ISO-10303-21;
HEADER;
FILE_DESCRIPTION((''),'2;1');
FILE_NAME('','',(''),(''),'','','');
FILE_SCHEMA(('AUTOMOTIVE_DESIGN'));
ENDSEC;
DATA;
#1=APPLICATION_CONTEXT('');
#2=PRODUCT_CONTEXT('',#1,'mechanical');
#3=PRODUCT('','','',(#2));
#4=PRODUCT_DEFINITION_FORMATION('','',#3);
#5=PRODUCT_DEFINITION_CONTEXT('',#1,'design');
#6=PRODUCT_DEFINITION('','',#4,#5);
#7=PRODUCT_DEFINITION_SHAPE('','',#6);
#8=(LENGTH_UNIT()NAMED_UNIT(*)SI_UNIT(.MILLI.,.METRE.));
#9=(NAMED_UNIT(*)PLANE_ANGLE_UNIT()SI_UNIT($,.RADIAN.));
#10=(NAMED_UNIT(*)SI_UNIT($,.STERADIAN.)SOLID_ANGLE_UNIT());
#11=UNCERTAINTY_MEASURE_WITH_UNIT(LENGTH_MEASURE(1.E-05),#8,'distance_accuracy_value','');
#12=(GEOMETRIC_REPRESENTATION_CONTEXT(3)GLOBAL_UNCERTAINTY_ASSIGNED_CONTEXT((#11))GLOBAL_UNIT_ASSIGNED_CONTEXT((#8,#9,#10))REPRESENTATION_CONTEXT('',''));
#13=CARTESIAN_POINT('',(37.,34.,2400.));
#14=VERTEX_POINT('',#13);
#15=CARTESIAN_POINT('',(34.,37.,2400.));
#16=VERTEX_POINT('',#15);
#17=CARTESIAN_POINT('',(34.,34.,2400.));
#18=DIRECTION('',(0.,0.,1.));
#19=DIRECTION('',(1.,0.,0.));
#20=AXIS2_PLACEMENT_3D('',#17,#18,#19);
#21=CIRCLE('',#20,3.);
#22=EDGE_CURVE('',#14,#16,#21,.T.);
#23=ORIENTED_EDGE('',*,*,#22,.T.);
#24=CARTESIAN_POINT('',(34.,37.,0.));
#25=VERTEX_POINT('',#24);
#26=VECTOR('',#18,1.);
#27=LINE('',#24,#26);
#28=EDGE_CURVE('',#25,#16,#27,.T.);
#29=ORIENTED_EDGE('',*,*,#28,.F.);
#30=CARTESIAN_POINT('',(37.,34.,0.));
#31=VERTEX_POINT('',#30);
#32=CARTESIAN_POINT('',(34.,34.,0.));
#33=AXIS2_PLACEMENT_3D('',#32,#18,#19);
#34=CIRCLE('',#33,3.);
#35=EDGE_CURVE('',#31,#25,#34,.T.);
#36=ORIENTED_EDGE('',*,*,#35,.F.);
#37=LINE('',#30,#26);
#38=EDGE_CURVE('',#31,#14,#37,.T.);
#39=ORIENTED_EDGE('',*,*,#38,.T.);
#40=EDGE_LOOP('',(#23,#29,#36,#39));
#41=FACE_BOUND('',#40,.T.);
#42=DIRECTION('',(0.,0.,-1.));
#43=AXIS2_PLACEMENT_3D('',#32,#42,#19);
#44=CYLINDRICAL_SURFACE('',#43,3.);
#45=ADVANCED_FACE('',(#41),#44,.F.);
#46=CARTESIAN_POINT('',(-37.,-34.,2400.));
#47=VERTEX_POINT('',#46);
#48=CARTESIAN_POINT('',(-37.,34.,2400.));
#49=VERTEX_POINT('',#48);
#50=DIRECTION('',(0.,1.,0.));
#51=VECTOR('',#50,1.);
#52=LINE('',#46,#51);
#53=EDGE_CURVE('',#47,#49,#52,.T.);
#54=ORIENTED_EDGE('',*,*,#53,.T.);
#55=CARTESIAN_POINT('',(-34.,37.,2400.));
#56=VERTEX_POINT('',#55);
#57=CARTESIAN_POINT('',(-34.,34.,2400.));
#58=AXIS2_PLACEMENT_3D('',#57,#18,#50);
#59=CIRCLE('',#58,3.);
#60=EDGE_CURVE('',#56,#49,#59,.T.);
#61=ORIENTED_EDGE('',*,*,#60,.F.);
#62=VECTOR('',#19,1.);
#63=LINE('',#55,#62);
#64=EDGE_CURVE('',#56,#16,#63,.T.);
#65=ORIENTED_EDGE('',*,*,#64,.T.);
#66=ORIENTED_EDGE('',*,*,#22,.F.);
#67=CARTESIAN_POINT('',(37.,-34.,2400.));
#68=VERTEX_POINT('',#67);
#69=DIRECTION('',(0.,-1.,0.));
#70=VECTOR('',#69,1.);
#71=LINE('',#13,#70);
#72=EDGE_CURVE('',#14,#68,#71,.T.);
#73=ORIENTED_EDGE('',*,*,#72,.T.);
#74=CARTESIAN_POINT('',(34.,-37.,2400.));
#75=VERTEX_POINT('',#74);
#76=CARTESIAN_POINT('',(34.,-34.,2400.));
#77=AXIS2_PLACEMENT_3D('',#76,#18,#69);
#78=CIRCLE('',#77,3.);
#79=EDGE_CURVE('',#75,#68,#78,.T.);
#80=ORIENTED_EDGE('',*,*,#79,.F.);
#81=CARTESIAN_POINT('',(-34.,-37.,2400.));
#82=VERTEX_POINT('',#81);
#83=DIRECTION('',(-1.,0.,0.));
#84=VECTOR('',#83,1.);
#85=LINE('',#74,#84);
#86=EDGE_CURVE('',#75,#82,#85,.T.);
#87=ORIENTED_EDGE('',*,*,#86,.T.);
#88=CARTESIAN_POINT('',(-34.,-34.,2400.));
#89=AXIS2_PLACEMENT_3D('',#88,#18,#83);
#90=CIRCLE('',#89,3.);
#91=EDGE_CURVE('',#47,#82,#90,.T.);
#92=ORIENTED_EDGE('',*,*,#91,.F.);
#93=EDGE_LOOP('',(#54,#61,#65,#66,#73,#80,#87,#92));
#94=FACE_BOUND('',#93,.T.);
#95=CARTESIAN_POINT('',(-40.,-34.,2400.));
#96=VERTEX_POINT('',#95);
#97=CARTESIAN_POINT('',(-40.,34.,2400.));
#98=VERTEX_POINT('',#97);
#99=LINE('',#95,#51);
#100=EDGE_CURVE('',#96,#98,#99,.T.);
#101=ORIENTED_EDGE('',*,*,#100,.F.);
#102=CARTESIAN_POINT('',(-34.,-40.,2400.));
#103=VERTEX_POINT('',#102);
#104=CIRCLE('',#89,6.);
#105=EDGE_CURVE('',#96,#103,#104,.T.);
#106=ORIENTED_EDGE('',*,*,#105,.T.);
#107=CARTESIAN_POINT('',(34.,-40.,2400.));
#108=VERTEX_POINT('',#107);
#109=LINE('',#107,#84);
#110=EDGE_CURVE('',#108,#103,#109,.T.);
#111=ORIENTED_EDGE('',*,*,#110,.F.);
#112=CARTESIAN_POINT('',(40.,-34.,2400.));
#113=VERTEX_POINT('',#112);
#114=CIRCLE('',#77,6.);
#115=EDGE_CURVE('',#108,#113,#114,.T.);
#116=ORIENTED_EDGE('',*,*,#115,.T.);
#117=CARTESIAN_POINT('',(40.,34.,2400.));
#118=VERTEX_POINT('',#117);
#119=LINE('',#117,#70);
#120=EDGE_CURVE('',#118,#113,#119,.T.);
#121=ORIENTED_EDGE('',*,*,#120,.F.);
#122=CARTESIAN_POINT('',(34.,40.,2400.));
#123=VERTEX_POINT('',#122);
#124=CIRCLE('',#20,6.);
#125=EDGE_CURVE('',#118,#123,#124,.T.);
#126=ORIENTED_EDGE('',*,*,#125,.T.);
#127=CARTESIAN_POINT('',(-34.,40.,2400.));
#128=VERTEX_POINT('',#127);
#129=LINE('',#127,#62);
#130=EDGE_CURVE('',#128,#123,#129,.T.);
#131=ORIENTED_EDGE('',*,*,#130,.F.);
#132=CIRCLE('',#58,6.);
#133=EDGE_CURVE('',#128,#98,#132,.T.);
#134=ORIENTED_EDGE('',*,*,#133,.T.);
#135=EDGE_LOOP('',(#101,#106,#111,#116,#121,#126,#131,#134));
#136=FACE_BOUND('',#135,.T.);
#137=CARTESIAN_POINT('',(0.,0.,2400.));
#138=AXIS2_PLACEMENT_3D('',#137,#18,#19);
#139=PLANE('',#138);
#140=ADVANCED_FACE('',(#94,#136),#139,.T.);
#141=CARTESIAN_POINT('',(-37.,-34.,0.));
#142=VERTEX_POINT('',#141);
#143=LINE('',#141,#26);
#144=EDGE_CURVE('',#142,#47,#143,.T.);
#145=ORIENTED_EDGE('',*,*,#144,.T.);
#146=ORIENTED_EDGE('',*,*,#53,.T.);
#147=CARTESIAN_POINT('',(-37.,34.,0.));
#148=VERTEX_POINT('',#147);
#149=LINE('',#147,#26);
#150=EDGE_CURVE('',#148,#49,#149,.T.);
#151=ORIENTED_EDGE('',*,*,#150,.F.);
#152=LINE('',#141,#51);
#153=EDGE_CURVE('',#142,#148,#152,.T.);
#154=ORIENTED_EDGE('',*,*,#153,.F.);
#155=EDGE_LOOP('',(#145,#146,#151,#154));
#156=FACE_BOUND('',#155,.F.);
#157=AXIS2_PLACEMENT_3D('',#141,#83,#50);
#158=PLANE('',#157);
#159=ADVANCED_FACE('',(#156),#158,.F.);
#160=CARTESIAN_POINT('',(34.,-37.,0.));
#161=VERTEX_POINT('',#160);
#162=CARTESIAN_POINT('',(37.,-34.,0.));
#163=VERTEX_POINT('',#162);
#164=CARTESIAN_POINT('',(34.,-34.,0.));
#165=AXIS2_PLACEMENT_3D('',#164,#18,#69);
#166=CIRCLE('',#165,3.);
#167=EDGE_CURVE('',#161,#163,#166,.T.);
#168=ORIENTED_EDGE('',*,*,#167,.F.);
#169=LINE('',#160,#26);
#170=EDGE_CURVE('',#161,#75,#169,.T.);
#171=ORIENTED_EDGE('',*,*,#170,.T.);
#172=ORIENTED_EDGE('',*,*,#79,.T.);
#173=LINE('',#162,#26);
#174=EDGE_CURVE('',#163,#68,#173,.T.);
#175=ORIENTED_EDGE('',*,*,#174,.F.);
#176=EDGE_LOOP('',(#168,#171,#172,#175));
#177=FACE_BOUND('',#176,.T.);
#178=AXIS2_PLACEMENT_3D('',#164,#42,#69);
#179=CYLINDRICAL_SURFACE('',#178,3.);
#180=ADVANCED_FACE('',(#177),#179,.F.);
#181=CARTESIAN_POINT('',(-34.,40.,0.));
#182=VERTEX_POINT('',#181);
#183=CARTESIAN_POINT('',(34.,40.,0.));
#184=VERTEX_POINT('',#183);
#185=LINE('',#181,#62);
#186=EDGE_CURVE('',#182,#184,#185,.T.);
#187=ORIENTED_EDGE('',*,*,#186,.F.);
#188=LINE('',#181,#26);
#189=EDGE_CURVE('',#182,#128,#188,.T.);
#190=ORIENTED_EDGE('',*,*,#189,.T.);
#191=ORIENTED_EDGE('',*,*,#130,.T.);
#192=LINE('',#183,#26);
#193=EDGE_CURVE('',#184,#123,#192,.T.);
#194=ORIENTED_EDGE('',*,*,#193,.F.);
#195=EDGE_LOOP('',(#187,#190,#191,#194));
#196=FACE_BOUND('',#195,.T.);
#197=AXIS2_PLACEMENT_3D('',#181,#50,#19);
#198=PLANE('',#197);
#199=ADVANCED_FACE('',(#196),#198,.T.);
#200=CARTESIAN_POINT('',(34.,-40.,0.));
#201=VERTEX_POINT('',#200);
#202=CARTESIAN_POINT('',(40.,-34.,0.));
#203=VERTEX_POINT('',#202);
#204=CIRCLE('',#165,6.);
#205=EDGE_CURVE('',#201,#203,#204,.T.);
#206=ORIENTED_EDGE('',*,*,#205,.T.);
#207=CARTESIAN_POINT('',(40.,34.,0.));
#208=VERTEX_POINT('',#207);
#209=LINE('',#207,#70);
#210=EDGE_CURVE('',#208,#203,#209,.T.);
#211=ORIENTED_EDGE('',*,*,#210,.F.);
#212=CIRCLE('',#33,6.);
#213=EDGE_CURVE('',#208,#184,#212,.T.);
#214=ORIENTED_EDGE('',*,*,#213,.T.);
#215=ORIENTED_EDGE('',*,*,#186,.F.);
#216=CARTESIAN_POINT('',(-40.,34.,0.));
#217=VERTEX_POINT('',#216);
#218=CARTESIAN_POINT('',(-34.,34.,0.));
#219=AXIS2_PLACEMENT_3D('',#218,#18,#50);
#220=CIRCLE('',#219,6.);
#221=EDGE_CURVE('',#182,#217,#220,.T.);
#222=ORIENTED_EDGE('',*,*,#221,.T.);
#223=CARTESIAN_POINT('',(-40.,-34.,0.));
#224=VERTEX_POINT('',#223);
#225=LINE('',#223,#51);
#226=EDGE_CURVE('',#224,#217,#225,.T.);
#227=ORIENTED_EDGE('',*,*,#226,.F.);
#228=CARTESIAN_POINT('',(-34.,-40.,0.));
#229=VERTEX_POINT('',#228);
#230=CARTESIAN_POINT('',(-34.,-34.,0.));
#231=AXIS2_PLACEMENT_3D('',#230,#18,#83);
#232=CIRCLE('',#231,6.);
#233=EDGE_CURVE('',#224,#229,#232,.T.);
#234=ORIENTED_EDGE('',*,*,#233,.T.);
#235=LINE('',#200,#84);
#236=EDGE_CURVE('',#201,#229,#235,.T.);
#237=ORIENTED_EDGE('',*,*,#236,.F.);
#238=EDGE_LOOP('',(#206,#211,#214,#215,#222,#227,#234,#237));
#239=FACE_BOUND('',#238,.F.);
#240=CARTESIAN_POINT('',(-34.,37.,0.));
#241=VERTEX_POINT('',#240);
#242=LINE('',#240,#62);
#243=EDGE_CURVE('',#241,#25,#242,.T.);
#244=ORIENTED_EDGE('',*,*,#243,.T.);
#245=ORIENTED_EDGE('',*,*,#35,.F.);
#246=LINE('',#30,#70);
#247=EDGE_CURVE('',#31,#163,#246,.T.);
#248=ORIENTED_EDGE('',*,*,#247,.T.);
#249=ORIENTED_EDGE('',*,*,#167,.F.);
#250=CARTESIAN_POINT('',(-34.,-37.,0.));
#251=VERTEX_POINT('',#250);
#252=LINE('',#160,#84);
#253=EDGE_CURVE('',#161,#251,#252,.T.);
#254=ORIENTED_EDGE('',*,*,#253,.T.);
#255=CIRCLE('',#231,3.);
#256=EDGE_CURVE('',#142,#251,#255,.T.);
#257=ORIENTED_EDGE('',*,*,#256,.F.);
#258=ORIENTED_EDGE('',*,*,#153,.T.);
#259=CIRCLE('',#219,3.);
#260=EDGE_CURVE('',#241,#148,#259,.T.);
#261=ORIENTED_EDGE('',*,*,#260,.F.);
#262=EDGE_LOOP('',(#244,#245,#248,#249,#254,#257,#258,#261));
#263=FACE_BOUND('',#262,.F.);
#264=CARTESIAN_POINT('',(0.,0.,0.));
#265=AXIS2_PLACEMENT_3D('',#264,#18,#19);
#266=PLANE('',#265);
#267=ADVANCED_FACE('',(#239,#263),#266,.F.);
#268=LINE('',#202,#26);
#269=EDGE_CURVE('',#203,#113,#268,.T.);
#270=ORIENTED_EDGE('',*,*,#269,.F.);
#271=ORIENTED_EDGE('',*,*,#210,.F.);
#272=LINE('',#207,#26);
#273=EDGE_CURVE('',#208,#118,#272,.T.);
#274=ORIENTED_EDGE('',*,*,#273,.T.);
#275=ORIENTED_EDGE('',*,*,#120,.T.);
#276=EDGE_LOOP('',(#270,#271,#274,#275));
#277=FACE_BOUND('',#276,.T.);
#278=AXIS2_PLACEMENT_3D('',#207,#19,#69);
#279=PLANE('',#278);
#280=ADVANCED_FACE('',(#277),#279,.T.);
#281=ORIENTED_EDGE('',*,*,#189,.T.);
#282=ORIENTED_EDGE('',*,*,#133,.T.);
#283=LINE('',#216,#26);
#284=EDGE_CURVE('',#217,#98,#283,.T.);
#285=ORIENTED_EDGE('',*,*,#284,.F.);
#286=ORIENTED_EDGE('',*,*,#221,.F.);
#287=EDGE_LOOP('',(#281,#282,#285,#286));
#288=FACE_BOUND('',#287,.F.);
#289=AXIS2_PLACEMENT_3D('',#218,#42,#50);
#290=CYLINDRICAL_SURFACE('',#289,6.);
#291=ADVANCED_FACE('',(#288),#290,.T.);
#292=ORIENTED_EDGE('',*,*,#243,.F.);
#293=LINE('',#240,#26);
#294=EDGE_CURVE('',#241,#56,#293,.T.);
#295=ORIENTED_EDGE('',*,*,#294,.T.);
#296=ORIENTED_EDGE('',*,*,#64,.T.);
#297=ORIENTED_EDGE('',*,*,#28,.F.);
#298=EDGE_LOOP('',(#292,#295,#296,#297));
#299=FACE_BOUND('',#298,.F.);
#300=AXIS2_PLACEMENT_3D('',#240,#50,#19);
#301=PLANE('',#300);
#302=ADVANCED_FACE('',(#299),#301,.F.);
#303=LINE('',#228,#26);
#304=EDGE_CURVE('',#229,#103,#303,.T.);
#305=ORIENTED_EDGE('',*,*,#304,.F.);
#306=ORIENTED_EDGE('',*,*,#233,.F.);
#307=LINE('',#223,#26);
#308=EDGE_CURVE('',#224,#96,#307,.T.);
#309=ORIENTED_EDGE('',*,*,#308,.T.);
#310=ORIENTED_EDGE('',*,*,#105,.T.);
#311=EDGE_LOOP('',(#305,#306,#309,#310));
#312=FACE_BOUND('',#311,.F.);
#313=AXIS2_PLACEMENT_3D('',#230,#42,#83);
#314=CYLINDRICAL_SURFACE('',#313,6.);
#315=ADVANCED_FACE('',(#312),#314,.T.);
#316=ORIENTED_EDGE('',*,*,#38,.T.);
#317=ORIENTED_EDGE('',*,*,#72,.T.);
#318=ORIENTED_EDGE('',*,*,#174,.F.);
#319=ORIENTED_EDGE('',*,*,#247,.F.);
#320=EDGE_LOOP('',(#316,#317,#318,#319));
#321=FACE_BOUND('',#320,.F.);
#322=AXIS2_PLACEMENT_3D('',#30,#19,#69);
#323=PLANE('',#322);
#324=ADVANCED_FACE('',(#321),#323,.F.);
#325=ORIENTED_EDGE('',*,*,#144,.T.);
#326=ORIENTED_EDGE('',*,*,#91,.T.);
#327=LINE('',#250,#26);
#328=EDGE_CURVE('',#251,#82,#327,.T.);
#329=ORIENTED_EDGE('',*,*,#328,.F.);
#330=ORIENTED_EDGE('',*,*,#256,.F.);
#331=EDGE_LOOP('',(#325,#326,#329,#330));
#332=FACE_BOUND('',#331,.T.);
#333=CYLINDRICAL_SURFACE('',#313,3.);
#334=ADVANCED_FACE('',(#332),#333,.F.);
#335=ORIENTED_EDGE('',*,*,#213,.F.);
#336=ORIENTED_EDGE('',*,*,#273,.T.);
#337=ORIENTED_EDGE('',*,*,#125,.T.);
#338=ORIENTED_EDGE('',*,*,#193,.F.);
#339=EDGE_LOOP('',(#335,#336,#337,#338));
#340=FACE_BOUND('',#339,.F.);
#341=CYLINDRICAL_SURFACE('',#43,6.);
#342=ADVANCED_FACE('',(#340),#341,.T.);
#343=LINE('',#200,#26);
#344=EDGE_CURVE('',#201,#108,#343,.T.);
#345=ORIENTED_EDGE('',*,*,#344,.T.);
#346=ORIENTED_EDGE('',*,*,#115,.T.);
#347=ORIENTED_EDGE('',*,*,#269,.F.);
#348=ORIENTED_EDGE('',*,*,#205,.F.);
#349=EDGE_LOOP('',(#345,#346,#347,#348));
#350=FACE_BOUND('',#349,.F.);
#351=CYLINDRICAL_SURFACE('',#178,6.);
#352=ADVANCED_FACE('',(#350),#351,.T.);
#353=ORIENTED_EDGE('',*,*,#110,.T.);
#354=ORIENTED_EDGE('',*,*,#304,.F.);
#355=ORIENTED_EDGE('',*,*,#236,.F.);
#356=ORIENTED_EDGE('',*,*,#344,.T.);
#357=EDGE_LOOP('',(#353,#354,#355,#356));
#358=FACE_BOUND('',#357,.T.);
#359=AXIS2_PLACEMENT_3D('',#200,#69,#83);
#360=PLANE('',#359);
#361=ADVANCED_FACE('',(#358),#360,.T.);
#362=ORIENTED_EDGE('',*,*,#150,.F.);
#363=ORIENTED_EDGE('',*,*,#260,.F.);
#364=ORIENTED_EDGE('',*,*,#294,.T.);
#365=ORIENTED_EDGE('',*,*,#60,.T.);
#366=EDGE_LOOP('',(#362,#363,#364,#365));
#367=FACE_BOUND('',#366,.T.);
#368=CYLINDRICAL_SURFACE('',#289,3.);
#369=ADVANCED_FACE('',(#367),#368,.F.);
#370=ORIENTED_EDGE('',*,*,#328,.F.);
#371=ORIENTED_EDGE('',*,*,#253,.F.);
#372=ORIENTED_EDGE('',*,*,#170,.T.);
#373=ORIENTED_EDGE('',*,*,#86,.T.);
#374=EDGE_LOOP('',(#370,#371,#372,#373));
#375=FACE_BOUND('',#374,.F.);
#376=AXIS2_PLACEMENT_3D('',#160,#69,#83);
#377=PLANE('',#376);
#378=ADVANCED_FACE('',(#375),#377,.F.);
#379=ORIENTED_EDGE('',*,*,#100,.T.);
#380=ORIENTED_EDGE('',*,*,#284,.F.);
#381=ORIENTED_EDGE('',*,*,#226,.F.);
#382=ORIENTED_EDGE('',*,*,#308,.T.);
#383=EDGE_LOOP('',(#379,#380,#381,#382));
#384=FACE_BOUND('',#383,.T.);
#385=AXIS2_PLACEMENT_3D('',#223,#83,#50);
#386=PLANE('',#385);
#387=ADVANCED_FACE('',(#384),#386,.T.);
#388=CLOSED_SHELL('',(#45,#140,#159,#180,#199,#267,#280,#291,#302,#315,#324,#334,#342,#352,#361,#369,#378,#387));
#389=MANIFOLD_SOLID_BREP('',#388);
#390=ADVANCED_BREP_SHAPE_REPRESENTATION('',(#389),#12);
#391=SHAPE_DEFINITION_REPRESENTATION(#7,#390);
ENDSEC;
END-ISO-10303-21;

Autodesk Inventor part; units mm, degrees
ref_plane "YZ Plane" through (0, 0, 0) normal (1, 0, 0) x (0, 1, 0)
ref_plane "Start Plane" through (0, 0, 0) normal (0, 0, 1) x (1, 0, 0)
ref_plane "End Plane" through (0, 0, 2400) normal (0, 0, 1) x (1, 0, 0)
sketch "Sketch" plane through (0, 0, 0) normal (0, 0, 1) x (1, 0, 0)
  line L0 (-40, -34) -> (-40, 34)
  line L1 (-34, 40) -> (34, 40)
  line L2 (40, 34) -> (40, -34)
  line L3 (34, -40) -> (-34, -40)
  arc A0 (-40, -34) -> (-34, -40) centre (-34, -34) ccw
  arc A1 (40, 34) -> (34, 40) centre (34, 34) ccw
  arc A2 (-34, 40) -> (-40, 34) centre (-34, 34) ccw
  arc A3 (34, -40) -> (40, -34) centre (34, -34) ccw
  arc A4 (-34, 37) -> (-37, 34) centre (-34, 34) ccw
  line L4 (-34, 37) -> (34, 37)
  arc A5 (37, 34) -> (34, 37) centre (34, 34) ccw
  line L5 (37, 34) -> (37, -34)
  arc A6 (34, -37) -> (37, -34) centre (34, -34) ccw
  line L6 (34, -37) -> (-34, -37)
  arc A7 (-37, -34) -> (-34, -37) centre (-34, -34) ccw
  line L7 (-37, -34) -> (-37, 34)
  line L8 (0, 57.7397) -> (0, -57.7397) construction
  line L9 (-57.7397, 0) -> (57.7397, 0) construction
  dimension "d7" = 6
  dimension "d9" = 80
  dimension "d11" = 80
  dimension "d12" = 3
  dimension "d15" = 40
  dimension "d16" = 40
extrude "Body" add sketch "Sketch" along normal up to surface (2400 mm away) from surface at 0
sketch "Sketch3" plane through (0, 0, 0) normal (0, 0, 1) x (1, 0, 0)
  line L0 (0, 0) -> (10, 0)
ref_plane "Work Plane3" through (0, 0, 0) normal (0, -1, 0) x (1, 0, 0)
sketch "Sketch4" plane through (0, 0, 0) normal (0, -1, 0) x (1, 0, 0)
  line L0 (-2, 0) -> (12, 0) projected
  line L1 (-2, 2400) -> (12, 2400) projected
  dimension "d18" = 2400
equation "\"d7\" = G_IR"
equation "\"d9\" = G_W"
equation "\"d11\" = G_H"
equation "\"d12\" = G_T"
equation "\"d15\" = 0.5 * d9"
equation "\"d16\" = 0.5 * d11"
equation "\"d3\" = G_L"
equation "\"G_W\" = 80"
equation "\"G_H\" = 80"
equation "\"G_T\" = 3"
equation "\"G_IR\" = 6"
equation "\"G_L\" = d18"
equation "\"G_OFFSET_START\" = 0"
equation "\"G_OFFSET_END\" = 0"
properties part number "ISO 4019 - 80x80x3 - 2400" material "Steel, Mild"
